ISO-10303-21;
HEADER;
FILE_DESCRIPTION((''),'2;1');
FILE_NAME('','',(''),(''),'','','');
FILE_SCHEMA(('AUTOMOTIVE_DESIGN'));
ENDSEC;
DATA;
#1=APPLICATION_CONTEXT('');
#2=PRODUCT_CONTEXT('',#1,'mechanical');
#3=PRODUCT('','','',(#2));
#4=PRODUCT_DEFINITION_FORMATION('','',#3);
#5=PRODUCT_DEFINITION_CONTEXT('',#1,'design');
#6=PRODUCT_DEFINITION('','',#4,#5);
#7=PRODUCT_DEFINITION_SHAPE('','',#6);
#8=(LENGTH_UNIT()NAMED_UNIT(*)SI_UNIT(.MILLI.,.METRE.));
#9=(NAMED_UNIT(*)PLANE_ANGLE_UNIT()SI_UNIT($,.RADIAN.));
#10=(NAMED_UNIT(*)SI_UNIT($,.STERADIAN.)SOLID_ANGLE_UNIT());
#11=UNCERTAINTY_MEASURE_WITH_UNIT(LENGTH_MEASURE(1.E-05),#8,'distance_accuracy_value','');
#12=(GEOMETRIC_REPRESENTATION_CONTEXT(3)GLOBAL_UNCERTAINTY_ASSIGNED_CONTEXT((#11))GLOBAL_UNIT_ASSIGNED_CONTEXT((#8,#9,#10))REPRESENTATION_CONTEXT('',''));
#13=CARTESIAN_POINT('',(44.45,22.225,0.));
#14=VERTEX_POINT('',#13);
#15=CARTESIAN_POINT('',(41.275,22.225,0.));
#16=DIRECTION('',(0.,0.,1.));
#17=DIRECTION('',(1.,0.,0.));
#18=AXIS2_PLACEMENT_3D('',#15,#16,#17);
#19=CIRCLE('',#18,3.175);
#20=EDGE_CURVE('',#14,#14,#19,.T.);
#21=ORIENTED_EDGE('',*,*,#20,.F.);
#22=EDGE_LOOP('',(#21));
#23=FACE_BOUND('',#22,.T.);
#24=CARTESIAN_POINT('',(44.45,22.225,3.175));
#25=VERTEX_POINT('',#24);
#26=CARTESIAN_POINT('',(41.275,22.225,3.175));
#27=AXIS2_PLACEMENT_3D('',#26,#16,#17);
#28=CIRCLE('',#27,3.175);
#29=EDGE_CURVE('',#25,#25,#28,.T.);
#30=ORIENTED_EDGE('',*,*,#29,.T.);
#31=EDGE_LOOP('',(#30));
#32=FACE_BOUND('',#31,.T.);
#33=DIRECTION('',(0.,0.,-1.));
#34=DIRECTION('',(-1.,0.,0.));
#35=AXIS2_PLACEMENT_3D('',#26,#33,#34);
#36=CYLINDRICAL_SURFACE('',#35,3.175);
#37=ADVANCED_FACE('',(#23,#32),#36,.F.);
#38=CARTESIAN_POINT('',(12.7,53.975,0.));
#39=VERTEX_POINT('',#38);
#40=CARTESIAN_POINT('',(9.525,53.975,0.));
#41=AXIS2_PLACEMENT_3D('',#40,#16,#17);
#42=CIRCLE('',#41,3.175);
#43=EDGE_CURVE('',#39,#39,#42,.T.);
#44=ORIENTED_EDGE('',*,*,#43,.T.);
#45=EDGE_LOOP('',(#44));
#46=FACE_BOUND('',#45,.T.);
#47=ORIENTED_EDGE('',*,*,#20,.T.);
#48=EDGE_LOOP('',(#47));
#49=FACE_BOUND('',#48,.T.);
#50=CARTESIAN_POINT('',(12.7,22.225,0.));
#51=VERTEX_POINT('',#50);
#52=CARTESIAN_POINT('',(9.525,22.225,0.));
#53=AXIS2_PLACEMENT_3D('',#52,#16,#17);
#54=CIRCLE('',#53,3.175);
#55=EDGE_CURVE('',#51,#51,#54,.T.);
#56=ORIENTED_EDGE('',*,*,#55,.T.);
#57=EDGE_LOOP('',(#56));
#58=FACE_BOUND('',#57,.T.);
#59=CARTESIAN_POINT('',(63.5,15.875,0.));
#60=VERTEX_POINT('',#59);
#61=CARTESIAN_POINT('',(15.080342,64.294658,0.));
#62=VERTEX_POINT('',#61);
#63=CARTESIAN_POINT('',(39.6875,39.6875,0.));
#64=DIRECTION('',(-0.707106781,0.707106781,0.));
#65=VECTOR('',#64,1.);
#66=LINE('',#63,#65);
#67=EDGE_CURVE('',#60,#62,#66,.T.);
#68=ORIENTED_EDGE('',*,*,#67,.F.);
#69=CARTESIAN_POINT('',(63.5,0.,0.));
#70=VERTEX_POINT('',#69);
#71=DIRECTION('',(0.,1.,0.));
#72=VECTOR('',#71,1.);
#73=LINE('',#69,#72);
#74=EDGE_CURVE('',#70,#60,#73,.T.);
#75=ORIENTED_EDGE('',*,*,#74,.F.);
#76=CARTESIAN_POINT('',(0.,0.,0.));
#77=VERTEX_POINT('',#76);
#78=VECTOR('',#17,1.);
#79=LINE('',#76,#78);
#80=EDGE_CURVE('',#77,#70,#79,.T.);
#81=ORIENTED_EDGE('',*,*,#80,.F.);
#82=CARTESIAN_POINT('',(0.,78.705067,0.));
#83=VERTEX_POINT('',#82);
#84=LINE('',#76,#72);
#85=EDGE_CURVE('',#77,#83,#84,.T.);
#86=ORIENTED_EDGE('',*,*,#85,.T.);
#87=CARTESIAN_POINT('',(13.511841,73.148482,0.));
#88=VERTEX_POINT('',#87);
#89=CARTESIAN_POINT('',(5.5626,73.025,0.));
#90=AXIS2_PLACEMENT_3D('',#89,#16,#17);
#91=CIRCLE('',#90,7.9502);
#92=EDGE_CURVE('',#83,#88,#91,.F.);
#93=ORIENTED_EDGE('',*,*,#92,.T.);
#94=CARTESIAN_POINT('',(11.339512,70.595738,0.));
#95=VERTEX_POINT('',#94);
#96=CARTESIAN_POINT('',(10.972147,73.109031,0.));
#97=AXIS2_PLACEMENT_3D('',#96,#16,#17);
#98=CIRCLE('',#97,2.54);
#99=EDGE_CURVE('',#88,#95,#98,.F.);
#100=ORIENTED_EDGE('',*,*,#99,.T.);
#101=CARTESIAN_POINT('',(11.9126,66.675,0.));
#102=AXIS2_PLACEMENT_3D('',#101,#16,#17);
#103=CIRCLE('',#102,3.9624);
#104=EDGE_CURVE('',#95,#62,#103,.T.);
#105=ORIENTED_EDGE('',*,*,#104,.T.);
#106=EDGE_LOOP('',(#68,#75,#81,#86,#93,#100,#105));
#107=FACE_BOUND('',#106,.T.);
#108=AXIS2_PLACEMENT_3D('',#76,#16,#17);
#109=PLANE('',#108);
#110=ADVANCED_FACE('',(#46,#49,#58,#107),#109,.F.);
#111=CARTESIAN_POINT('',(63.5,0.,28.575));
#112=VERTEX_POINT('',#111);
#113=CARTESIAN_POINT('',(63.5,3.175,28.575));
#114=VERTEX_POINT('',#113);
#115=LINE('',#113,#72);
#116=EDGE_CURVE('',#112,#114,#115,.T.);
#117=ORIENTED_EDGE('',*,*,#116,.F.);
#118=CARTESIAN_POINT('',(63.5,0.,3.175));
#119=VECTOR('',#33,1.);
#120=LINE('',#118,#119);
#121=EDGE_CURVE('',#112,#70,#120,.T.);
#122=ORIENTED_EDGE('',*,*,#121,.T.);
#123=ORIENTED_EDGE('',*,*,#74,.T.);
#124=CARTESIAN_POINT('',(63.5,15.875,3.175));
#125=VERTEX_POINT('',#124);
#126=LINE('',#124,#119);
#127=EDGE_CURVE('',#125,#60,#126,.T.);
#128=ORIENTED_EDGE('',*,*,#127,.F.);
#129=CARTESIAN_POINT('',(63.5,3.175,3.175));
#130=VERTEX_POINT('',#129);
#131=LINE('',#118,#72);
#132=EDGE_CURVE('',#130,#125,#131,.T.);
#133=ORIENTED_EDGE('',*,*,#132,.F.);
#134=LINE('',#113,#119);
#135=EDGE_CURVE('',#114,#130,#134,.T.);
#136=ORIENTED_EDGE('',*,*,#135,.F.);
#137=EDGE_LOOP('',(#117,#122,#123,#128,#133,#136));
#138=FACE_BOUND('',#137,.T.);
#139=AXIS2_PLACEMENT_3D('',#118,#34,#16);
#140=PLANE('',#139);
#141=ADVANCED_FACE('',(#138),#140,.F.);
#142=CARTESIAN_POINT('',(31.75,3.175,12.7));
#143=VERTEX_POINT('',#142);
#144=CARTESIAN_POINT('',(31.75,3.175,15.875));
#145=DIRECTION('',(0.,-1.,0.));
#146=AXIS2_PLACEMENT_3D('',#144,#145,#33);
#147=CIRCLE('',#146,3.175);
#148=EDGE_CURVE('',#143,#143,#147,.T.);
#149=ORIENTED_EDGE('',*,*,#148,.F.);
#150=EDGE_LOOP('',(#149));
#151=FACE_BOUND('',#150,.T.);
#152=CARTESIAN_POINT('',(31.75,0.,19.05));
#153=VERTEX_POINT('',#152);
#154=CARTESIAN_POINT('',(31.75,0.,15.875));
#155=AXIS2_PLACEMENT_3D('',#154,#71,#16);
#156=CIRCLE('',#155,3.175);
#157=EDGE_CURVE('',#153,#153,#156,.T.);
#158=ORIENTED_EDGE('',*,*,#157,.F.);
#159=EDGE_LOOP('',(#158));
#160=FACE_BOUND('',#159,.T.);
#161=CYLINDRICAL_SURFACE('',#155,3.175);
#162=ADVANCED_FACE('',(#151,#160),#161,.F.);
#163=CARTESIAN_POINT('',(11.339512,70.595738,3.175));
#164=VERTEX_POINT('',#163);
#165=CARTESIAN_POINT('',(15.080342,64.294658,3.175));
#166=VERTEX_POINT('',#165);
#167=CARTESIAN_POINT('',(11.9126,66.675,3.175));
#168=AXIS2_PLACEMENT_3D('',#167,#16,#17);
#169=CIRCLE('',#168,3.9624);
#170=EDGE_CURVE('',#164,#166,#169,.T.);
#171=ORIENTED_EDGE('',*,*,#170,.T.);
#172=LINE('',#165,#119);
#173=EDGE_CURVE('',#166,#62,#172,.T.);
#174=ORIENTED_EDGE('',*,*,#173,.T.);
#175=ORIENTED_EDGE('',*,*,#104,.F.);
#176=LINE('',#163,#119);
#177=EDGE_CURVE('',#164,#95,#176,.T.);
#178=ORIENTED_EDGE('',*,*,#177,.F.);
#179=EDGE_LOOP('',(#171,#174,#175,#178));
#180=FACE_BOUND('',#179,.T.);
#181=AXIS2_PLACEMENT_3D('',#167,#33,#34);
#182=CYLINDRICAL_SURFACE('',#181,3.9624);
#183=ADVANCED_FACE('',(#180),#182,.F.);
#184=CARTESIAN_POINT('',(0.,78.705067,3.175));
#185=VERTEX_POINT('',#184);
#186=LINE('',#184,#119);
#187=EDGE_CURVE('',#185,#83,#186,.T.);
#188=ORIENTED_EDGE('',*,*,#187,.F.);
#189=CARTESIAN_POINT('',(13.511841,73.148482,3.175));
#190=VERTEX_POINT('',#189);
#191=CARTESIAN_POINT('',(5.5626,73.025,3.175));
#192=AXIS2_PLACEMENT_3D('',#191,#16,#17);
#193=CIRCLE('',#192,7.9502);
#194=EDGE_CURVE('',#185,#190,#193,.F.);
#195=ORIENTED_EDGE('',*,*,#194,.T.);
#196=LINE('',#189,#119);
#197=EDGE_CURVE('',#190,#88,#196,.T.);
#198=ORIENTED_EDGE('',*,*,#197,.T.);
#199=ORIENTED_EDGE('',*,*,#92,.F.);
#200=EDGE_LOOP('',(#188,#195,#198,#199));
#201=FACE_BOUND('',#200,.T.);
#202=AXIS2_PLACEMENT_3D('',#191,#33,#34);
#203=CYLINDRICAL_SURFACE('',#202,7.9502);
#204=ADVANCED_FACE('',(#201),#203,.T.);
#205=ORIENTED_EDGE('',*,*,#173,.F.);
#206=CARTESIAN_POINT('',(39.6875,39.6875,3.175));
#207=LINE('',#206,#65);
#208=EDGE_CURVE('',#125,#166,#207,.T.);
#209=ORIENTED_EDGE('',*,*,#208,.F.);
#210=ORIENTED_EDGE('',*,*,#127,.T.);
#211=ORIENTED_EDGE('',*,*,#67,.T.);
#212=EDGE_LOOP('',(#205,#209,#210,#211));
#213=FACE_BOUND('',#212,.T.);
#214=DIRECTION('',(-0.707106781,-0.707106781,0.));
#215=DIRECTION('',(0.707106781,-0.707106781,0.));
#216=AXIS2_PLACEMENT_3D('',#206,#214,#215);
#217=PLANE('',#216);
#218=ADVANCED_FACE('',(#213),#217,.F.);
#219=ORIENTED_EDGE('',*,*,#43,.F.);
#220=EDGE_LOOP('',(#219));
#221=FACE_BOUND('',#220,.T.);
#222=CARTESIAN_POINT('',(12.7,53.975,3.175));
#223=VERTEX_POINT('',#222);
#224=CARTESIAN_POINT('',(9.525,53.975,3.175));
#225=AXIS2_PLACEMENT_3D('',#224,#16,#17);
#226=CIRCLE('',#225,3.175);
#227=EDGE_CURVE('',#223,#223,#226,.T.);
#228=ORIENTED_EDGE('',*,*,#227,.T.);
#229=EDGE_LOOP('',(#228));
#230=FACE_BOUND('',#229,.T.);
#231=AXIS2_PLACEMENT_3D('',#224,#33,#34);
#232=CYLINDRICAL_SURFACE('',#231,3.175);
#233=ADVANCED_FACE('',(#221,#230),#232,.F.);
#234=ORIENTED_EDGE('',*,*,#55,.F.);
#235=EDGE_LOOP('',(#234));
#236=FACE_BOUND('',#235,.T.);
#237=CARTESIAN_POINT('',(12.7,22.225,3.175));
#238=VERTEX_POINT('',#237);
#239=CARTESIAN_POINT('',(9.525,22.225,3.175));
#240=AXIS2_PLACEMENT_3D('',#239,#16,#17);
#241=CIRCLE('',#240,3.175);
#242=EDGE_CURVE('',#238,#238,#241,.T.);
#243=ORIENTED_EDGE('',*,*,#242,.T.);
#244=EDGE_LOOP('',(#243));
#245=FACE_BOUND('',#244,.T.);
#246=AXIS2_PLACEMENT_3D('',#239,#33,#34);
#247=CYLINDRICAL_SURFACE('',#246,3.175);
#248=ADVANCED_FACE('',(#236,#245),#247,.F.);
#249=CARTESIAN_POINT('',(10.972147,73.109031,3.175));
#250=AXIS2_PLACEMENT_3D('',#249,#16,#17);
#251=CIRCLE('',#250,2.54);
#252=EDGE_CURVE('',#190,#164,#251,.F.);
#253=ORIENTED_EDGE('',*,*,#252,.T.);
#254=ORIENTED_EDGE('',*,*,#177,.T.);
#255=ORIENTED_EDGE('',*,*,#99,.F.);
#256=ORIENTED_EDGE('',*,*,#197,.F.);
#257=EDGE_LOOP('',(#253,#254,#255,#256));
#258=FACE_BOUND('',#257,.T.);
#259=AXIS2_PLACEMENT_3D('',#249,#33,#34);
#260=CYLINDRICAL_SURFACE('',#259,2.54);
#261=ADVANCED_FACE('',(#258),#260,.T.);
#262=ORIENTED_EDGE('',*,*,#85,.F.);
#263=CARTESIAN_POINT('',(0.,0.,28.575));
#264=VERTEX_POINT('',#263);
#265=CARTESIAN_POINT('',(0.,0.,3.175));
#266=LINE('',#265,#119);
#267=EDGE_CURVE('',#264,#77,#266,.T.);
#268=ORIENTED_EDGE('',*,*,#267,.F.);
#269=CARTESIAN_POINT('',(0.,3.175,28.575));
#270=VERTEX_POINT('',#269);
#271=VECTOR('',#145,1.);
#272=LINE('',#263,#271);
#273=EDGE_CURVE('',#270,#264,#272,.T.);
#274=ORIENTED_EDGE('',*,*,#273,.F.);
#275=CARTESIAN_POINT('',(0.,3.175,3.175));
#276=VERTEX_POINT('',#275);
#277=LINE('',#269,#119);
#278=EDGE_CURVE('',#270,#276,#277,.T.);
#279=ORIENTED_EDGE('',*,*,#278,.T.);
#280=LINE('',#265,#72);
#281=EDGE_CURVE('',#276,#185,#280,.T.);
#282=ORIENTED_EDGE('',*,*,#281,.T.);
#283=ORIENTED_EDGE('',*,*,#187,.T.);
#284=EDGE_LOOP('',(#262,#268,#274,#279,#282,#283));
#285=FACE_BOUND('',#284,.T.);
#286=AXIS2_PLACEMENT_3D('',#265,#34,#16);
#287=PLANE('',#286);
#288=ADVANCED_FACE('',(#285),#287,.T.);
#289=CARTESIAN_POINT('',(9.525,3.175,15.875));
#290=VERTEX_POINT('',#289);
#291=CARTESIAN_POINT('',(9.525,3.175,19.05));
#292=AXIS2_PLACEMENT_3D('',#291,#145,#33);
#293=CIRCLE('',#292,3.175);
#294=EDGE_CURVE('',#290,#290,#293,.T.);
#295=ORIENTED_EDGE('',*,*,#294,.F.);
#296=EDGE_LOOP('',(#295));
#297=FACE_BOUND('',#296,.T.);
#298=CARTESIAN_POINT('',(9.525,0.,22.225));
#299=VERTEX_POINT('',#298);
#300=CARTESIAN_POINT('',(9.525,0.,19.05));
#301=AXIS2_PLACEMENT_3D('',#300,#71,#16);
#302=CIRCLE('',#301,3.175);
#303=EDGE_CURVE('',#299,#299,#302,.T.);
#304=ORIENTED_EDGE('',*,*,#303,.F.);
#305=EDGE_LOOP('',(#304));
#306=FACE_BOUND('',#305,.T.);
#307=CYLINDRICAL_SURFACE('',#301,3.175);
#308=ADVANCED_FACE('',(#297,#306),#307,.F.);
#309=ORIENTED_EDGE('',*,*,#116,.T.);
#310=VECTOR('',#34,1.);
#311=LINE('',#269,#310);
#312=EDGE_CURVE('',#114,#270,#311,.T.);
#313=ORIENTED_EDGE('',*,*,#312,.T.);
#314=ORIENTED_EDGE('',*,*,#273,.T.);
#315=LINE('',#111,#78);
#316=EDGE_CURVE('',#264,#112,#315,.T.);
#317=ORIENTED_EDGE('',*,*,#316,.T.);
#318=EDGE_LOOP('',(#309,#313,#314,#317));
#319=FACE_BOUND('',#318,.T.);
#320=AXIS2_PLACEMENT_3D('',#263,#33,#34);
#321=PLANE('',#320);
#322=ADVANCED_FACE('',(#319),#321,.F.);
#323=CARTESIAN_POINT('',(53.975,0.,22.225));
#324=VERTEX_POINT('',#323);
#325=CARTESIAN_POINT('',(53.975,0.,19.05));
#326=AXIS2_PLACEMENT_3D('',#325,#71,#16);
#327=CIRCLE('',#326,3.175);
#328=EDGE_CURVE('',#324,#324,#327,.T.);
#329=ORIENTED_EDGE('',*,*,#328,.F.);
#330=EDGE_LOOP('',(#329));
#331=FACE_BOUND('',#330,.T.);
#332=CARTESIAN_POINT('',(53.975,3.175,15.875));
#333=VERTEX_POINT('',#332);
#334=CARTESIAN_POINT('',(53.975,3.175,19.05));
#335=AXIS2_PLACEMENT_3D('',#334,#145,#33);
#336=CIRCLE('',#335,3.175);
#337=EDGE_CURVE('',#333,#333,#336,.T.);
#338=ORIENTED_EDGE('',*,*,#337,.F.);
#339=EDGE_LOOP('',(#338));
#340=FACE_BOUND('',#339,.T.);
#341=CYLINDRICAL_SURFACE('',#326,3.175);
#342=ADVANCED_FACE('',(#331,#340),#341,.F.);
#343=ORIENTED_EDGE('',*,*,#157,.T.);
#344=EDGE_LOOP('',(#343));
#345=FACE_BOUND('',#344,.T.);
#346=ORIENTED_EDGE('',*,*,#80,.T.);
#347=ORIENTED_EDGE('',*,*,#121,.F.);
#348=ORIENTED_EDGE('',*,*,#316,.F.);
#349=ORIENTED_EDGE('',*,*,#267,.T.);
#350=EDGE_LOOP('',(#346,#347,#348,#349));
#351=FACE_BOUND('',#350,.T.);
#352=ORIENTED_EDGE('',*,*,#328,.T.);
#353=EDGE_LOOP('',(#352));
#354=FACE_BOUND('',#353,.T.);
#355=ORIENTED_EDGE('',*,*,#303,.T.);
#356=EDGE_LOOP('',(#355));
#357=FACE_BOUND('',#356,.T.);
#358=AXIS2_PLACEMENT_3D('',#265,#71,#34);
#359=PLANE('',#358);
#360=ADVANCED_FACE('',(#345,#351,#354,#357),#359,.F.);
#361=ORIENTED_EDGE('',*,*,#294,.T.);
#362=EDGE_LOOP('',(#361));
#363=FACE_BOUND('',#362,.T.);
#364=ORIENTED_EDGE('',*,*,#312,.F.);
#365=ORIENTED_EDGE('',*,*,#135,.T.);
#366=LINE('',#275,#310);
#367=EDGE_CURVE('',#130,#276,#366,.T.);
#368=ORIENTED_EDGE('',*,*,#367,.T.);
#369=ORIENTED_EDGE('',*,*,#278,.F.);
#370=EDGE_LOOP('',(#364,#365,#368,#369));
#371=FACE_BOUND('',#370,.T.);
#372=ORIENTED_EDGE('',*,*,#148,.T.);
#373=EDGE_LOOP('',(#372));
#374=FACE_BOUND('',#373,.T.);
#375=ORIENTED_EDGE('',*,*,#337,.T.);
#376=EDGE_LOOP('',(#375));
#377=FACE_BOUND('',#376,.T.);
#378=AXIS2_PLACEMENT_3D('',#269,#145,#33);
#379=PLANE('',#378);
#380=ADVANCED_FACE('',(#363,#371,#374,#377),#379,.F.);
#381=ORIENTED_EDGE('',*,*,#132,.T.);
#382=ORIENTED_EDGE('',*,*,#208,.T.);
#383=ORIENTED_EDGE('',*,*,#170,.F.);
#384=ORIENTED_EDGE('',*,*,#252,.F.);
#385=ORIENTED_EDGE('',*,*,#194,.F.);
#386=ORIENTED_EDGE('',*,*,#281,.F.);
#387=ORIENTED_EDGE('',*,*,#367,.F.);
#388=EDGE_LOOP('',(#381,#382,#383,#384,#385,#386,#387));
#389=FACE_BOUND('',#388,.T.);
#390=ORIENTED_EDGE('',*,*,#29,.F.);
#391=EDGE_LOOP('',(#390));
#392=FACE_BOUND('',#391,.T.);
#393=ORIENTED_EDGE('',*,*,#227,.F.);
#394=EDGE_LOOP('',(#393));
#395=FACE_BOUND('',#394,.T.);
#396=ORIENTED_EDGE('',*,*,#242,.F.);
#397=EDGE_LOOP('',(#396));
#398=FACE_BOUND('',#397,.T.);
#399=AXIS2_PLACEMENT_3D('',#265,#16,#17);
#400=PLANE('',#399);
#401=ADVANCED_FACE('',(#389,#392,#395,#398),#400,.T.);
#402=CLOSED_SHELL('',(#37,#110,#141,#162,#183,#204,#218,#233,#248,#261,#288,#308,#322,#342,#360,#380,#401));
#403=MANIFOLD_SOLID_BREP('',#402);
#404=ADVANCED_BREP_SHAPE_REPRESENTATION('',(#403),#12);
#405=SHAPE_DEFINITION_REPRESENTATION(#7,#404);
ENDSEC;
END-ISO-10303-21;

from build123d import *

# Parameters (mm, degrees)
SKETCH1_R               = 3.175
BOSS_EXTRUDE1_DEPTH     = 3.175
SKETCH2_W               = 63.5
SKETCH2_H               = 3.175
BOSS_EXTRUDE2_DEPTH     = 25.4
CUT_EXTRUDE1_DEPTH      = 105.410975214
CUT_EXTRUDE1_DEPTH_BACK = 105.410975214
SKETCH3_R               = 3.175


with BuildPart() as part:
    # Sketch1 → Boss-Extrude1 (new body)
    with BuildSketch(Plane.XY):
        with BuildLine():
            Line((0, 78.705067014), (0, 0))
            Line((0, 0), (63.5, 0))
            Line((63.5, 0), (63.5, 15.875))
            Line((63.5, 15.875), (15.080341671, 64.294658329))
            ThreePointArc((15.080341671, 64.294658329), (8.505408108, 64.65221549), (11.339511683, 70.595737627))
            ThreePointArc((11.339511683, 70.595737627), (12.906539417, 71.462906002), (13.511840983, 73.148482141))
            ThreePointArc((13.511840983, 73.148482141), (8.586326617, 80.377738088), (0, 78.705067014))
        make_face()
        with Locations((9.525, 22.225)):
            Circle(SKETCH1_R, mode=Mode.SUBTRACT)
        with Locations((41.275, 22.225)):
            Circle(SKETCH1_R, mode=Mode.SUBTRACT)
        with Locations((9.525, 53.975)):
            Circle(SKETCH1_R, mode=Mode.SUBTRACT)
    extrude(amount=BOSS_EXTRUDE1_DEPTH)

    # Sketch2 → Boss-Extrude2 (add)
    with BuildSketch(Plane.XY.offset(3.175)):
        with Locations((31.75, 1.5875)):
            Rectangle(SKETCH2_W, SKETCH2_H)
    extrude(amount=BOSS_EXTRUDE2_DEPTH)

    # Sketch3 → Cut-Extrude1 (cut, two sides: drawn at the far end of the back side and taken through both)
    with BuildSketch(Plane(origin=(0, 3.175, 0), x_dir=(1, 0, 0), z_dir=(0, 1, 0)).offset(-CUT_EXTRUDE1_DEPTH_BACK)):
        with Locations(Location((9.525, -19.05, 0), (0, 0, 270))):
            Circle(SKETCH3_R)
        with Locations(Location((53.975, -19.05, 0), (0, 0, 270))):
            Circle(SKETCH3_R)
        with Locations(Location((31.75, -15.875, 0), (0, 0, 270))):
            Circle(SKETCH3_R)
    extrude(amount=CUT_EXTRUDE1_DEPTH + CUT_EXTRUDE1_DEPTH_BACK, mode=Mode.SUBTRACT)


solid = part.part
